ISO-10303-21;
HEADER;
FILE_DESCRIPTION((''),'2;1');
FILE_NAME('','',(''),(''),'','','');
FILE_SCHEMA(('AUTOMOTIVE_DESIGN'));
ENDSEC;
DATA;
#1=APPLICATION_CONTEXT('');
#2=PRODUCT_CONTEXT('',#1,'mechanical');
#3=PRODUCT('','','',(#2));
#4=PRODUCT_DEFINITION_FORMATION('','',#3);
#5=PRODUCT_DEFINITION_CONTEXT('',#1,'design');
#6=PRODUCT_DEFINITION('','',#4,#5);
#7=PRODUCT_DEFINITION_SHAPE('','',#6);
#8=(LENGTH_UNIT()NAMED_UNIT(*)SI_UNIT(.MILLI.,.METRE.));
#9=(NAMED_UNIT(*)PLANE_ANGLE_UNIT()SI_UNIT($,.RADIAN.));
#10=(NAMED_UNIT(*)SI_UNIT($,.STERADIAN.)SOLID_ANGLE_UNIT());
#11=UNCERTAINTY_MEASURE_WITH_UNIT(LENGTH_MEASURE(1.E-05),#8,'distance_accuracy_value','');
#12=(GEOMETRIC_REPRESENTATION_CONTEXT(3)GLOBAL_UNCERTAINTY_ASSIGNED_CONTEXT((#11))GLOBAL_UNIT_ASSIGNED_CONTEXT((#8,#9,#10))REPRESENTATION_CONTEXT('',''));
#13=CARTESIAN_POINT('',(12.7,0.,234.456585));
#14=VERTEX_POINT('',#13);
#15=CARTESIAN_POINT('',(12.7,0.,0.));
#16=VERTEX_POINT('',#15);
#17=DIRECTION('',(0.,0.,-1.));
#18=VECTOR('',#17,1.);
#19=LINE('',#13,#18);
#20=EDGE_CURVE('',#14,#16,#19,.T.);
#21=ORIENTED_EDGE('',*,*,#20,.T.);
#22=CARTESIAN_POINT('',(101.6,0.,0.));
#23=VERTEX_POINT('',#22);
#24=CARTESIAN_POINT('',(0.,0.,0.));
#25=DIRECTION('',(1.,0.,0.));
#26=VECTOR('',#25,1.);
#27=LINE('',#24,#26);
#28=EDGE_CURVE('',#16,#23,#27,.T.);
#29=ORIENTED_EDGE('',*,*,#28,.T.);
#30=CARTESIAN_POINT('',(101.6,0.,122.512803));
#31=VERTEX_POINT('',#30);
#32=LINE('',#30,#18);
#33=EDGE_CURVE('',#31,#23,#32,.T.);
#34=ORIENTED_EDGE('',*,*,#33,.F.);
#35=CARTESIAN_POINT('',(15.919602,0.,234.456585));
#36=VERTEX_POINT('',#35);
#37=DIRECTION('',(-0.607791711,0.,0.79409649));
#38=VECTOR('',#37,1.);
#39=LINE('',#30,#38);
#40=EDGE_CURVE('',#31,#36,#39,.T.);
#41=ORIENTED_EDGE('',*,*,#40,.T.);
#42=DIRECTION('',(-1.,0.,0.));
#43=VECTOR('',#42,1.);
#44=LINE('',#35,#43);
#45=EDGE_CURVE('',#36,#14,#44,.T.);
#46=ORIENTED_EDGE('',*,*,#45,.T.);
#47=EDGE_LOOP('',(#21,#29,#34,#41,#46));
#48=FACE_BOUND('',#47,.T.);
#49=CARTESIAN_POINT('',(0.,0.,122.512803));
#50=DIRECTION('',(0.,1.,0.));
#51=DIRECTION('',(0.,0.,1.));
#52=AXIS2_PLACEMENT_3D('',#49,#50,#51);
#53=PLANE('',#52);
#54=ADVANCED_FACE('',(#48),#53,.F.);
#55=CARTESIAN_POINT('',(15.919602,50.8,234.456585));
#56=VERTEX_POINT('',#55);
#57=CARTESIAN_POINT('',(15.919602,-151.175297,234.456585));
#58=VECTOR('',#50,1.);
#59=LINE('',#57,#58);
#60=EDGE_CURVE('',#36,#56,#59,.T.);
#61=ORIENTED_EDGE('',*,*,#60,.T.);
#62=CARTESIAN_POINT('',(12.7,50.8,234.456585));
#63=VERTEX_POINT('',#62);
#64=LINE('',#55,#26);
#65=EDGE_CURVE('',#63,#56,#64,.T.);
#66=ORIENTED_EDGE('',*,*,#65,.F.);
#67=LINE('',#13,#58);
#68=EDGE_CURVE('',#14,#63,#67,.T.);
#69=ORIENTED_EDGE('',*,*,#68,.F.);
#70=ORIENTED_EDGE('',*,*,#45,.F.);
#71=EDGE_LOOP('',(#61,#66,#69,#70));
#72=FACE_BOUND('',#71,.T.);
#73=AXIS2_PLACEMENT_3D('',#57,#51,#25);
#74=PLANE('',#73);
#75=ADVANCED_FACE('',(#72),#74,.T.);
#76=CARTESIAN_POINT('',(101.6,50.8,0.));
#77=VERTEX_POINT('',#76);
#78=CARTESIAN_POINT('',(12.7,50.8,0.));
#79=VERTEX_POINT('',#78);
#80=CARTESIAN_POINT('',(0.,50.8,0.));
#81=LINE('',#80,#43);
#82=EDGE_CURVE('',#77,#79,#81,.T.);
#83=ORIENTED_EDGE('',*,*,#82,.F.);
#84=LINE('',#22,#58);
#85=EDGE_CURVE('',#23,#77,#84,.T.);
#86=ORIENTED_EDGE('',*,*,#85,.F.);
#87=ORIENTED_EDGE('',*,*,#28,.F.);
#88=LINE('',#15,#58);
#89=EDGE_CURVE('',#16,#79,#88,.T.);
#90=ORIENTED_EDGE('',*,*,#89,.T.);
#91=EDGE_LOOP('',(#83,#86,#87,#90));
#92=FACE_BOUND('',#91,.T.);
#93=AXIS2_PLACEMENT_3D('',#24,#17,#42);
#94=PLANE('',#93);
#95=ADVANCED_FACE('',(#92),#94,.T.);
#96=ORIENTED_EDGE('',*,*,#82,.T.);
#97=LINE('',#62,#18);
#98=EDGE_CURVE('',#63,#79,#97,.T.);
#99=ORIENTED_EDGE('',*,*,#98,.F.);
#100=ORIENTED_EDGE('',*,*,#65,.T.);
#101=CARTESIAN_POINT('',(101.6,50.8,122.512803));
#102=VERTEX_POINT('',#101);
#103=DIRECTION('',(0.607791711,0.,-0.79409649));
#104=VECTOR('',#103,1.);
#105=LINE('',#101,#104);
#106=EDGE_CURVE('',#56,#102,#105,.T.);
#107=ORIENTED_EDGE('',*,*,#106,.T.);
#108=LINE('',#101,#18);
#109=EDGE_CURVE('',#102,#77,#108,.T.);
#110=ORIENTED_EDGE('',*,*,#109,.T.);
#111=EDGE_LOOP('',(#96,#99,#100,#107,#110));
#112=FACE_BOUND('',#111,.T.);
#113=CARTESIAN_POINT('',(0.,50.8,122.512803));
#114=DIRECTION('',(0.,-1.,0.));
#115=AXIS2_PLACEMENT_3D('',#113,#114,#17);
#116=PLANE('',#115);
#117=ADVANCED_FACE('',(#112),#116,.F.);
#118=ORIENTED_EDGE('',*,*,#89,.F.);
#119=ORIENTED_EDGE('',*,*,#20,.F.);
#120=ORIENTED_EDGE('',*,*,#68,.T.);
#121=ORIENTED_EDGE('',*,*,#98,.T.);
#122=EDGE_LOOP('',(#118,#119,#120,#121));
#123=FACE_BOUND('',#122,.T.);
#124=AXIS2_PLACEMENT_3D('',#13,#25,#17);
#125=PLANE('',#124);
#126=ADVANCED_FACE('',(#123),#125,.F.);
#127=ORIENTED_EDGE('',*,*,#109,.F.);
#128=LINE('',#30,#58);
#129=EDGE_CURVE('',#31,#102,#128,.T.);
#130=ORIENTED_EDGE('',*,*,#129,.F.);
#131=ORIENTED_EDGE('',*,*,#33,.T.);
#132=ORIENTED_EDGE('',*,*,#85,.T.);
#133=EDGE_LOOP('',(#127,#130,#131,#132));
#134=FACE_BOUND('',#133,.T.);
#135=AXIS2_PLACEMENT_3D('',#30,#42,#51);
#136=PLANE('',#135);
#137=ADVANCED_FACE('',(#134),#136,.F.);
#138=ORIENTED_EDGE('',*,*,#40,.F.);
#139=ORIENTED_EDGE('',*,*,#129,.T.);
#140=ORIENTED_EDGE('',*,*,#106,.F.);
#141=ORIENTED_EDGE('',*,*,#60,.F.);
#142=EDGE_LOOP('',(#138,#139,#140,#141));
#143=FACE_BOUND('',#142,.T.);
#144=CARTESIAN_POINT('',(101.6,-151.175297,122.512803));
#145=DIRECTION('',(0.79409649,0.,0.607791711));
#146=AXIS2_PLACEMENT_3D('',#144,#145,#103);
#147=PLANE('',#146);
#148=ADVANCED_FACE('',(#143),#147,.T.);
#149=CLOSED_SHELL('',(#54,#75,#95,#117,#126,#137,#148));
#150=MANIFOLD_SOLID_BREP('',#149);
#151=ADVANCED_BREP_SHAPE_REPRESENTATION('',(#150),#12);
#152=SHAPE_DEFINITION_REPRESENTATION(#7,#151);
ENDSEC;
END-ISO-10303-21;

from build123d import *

# Parameters (mm, degrees)
SKETCH2_W               = 101.6
SKETCH2_H               = 50.8
BOSS_EXTRUDE1_DEPTH     = 122.512802726
BOSS_EXTRUDE2_DEPTH     = 50.8
CUT_EXTRUDE1_DEPTH      = 261.524644331
CUT_EXTRUDE1_DEPTH_BACK = 261.524644331
SKETCH4_W               = 12.7
SKETCH4_H               = 234.456585115


with BuildPart() as part:
    # Sketch2 → Boss-Extrude1 (new body)
    with BuildSketch(Plane.XY):
        with Locations((50.8, 25.4)):
            Rectangle(SKETCH2_W, SKETCH2_H)
    extrude(amount=BOSS_EXTRUDE1_DEPTH)

    # Sketch3 → Boss-Extrude2 (add)
    with BuildSketch(Plane(origin=(0, 50.8, 0), x_dir=(1, 0, 0), z_dir=(0, 1, 0))):
        Polygon((101.6, -122.512802726), (15.9196024, -234.456585115), (0, -234.456585115), (0, -122.512802726), align=None)
    extrude(amount=-BOSS_EXTRUDE2_DEPTH)

    # Sketch4 → Cut-Extrude1 (cut, two sides: drawn at the far end of the back side and taken through both)
    with BuildSketch(Plane(origin=(0, 50.8, 0), x_dir=(1, 0, 0), z_dir=(0, 1, 0)).offset(-CUT_EXTRUDE1_DEPTH_BACK)):
        with Locations((6.35, -117.228292558)):
            Rectangle(SKETCH4_W, SKETCH4_H)
    extrude(amount=CUT_EXTRUDE1_DEPTH + CUT_EXTRUDE1_DEPTH_BACK, mode=Mode.SUBTRACT)


solid = part.part
